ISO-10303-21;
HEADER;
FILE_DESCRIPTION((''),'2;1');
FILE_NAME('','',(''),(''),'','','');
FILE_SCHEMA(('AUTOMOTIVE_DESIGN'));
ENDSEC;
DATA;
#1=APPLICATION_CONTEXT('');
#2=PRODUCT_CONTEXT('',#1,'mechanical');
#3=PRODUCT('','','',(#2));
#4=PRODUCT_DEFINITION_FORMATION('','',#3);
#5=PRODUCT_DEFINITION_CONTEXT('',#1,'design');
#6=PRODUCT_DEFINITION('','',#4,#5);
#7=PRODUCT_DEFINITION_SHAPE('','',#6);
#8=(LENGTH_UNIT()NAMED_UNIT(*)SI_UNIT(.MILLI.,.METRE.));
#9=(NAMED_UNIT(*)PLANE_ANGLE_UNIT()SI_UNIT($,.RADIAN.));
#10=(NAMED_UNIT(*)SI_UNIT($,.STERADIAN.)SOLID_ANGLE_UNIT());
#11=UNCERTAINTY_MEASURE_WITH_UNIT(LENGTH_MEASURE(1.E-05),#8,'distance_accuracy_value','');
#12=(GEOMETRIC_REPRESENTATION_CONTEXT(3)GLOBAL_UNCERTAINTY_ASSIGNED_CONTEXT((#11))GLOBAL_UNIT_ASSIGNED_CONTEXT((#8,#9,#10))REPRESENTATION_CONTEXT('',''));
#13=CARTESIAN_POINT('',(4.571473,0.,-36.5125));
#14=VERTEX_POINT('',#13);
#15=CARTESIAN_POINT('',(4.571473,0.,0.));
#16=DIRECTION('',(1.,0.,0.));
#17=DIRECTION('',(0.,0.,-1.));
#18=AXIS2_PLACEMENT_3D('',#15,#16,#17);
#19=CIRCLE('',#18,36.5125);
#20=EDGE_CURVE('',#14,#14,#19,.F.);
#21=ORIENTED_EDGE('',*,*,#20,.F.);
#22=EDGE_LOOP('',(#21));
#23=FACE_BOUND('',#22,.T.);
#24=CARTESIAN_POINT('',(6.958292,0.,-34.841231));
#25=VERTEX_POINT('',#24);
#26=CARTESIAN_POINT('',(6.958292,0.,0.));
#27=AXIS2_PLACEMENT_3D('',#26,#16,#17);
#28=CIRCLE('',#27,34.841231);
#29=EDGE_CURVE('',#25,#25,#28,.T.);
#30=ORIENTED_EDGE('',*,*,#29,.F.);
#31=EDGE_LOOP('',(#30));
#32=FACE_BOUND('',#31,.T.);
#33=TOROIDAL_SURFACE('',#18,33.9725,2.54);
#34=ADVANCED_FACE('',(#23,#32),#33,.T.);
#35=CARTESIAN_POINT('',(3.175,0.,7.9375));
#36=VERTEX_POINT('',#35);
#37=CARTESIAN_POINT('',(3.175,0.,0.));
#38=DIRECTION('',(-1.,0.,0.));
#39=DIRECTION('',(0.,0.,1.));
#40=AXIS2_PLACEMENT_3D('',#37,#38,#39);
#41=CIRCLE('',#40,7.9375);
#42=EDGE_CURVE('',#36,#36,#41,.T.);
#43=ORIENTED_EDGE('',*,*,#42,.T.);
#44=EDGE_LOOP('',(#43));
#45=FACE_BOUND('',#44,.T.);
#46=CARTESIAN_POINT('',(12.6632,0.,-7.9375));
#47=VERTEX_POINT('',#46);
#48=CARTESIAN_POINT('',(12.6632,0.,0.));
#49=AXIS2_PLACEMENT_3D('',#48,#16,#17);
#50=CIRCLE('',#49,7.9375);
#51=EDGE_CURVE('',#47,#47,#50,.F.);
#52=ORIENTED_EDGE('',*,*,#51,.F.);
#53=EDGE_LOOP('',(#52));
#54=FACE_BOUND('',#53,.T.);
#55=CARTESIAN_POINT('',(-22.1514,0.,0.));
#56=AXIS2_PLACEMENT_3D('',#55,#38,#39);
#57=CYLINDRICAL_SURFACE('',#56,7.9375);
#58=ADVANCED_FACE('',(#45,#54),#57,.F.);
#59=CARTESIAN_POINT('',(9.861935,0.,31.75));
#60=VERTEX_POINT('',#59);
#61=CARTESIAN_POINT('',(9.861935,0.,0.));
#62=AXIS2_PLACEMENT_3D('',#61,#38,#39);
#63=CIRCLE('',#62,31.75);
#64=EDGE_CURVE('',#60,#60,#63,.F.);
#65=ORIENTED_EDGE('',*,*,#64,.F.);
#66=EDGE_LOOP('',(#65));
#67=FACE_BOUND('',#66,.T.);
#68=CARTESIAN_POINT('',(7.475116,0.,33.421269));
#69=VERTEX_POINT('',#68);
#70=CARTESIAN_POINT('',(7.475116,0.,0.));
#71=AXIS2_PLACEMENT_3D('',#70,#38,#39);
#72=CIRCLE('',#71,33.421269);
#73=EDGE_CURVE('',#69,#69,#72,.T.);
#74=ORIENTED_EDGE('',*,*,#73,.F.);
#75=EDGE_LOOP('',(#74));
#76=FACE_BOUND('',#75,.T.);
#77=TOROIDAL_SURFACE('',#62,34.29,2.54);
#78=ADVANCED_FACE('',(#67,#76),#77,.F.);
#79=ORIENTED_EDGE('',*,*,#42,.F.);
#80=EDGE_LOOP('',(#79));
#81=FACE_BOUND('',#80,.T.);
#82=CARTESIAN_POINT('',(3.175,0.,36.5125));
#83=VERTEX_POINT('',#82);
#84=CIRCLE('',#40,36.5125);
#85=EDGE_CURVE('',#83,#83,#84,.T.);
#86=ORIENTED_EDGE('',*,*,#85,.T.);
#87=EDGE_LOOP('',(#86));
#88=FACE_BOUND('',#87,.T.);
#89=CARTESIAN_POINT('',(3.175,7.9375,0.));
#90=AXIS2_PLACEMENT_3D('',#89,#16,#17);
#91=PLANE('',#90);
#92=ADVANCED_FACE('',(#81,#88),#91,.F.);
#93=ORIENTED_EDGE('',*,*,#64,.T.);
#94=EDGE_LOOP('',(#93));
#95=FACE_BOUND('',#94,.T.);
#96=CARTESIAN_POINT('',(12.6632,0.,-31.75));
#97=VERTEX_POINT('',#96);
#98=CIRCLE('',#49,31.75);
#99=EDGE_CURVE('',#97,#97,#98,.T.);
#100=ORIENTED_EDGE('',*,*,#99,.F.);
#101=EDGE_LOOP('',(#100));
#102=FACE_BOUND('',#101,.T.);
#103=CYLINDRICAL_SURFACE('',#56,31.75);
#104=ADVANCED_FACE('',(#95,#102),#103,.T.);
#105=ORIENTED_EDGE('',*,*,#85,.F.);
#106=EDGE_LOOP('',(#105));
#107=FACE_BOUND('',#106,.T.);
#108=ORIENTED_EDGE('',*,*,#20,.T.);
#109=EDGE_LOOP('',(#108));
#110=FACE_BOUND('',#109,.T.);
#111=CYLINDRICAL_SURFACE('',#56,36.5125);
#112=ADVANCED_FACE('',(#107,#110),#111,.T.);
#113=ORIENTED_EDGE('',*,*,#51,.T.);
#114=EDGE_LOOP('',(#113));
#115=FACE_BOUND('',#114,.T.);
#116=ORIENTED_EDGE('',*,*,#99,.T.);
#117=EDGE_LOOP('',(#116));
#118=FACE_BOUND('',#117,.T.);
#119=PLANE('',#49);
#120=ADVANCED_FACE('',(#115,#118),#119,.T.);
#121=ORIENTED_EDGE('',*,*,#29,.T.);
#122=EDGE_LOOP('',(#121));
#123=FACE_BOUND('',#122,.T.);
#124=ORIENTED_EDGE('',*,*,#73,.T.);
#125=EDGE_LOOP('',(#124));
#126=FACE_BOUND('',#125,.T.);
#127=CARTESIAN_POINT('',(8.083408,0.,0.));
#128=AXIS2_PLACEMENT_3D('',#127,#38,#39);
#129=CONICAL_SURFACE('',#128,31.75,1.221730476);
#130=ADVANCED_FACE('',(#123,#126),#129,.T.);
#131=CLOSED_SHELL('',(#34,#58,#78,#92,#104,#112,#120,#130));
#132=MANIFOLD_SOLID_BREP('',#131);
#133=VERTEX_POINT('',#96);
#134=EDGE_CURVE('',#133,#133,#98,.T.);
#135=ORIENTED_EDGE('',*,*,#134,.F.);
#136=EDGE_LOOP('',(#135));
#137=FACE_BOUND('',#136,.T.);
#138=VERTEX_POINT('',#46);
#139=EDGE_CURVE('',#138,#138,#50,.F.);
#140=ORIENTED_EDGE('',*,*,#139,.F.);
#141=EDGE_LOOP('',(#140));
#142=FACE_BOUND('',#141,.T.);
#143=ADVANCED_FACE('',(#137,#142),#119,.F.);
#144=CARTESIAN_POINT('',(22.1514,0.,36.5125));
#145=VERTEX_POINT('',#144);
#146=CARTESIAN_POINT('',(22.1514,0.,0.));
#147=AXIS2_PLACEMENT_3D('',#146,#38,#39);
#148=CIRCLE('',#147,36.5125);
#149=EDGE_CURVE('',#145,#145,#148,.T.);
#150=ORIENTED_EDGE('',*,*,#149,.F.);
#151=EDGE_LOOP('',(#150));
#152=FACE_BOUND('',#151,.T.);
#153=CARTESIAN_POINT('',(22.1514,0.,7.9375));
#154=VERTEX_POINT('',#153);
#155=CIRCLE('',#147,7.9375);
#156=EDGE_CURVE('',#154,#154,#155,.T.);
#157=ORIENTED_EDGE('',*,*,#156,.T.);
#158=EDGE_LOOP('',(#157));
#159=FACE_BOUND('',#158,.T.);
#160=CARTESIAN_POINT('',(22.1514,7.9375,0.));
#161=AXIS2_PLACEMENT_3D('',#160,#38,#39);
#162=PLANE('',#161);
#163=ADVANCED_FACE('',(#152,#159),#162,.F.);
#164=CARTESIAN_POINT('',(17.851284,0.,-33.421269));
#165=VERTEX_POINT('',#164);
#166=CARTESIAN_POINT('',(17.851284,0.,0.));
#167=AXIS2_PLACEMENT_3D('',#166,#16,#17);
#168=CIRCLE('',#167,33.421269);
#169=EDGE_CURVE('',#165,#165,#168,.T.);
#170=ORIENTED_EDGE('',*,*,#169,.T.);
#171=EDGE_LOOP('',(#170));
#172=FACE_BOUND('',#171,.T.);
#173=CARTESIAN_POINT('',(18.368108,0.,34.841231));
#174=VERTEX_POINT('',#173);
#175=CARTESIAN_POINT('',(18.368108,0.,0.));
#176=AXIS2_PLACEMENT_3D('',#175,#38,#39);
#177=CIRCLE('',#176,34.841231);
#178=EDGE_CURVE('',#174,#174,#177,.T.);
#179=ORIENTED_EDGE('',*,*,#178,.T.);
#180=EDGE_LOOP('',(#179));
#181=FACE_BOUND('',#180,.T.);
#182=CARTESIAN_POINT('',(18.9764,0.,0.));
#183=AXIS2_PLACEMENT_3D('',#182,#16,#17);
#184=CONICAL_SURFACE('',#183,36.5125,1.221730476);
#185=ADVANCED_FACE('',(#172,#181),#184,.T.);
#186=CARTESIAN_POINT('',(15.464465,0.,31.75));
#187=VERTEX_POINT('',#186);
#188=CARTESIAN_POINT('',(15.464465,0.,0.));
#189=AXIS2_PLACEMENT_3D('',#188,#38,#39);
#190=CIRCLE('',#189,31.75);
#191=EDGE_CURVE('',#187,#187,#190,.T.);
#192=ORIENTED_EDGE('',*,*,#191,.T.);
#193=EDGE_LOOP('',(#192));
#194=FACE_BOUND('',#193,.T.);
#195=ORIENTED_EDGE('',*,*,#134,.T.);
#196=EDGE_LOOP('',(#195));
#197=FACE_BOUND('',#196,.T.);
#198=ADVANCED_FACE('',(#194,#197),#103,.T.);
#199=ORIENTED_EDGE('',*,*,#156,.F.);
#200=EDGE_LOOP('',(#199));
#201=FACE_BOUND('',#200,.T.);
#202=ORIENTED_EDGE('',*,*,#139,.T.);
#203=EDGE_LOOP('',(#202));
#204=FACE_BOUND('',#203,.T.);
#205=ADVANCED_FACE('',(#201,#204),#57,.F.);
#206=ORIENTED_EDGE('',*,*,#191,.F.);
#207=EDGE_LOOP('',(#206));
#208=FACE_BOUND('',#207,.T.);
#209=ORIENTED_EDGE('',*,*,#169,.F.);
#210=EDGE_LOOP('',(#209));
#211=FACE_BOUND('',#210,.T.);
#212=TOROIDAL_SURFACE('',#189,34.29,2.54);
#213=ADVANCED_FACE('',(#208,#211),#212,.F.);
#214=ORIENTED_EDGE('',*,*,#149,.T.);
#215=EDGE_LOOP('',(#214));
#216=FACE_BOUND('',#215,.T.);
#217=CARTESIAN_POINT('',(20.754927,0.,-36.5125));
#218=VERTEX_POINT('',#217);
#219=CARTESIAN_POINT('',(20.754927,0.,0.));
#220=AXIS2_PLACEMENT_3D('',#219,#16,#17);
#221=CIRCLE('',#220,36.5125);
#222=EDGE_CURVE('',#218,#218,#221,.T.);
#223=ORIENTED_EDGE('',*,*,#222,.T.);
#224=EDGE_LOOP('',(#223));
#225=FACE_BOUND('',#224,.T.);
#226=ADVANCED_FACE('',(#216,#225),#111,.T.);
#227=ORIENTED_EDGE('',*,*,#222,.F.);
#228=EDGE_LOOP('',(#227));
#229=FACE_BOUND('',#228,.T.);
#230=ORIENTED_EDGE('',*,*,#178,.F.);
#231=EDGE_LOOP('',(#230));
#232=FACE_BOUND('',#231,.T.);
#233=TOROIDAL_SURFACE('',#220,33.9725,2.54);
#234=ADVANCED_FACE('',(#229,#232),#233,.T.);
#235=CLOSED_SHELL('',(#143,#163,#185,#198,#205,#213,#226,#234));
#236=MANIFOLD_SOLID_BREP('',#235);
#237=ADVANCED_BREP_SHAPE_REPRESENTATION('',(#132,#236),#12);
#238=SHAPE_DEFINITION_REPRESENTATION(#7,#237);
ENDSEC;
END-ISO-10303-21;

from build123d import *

# Parameters (mm, degrees)
FILLET1_R = 2.54


with BuildPart() as part:
    # Sketch2 → Revolve1 (revolve)
    with BuildSketch(Plane.XY, mode=Mode.PRIVATE) as revolve1_sk:
        Polygon((3.175, 7.9375), (22.1514, 7.9375), (22.1514, 36.5125), (18.9764, 36.5125), (17.242991759, 31.75), (8.083408241, 31.75), (6.35, 36.5125), (3.175, 36.5125), align=None)
    revolve(revolve1_sk.sketch.rotate(Axis((-22.1514, 0, 0), (1, 0, 0)), 90), axis=Axis((-22.1514, 0, 0), (1, 0, 0)))

    # Fillet1
    fillet1_edges = [part.edges().sort_by_distance(p)[0] for p in [
        (6.35, 0, -36.5125),
        (8.083408241, 0, -31.75),
        (17.242991759, 0, -31.75),
        (18.9764, 0, -36.5125),
    ]]
    fillet(fillet1_edges, radius=FILLET1_R)


with BuildPart() as body_2:
    # Split1: the piece on the far side of the plane
    add(part.part)
    split(bisect_by=Plane(origin=(12.6632, 0, 0), x_dir=(0, 0, 1), z_dir=(1, 0, 0)), keep=Keep.BOTTOM)


with BuildPart() as part_1:
    add(part.part)

    # Split1
    split(bisect_by=Plane(origin=(12.6632, 0, 0), x_dir=(0, 0, 1), z_dir=(1, 0, 0)), keep=Keep.TOP)


solid = Compound([body_2.part, part_1.part])
